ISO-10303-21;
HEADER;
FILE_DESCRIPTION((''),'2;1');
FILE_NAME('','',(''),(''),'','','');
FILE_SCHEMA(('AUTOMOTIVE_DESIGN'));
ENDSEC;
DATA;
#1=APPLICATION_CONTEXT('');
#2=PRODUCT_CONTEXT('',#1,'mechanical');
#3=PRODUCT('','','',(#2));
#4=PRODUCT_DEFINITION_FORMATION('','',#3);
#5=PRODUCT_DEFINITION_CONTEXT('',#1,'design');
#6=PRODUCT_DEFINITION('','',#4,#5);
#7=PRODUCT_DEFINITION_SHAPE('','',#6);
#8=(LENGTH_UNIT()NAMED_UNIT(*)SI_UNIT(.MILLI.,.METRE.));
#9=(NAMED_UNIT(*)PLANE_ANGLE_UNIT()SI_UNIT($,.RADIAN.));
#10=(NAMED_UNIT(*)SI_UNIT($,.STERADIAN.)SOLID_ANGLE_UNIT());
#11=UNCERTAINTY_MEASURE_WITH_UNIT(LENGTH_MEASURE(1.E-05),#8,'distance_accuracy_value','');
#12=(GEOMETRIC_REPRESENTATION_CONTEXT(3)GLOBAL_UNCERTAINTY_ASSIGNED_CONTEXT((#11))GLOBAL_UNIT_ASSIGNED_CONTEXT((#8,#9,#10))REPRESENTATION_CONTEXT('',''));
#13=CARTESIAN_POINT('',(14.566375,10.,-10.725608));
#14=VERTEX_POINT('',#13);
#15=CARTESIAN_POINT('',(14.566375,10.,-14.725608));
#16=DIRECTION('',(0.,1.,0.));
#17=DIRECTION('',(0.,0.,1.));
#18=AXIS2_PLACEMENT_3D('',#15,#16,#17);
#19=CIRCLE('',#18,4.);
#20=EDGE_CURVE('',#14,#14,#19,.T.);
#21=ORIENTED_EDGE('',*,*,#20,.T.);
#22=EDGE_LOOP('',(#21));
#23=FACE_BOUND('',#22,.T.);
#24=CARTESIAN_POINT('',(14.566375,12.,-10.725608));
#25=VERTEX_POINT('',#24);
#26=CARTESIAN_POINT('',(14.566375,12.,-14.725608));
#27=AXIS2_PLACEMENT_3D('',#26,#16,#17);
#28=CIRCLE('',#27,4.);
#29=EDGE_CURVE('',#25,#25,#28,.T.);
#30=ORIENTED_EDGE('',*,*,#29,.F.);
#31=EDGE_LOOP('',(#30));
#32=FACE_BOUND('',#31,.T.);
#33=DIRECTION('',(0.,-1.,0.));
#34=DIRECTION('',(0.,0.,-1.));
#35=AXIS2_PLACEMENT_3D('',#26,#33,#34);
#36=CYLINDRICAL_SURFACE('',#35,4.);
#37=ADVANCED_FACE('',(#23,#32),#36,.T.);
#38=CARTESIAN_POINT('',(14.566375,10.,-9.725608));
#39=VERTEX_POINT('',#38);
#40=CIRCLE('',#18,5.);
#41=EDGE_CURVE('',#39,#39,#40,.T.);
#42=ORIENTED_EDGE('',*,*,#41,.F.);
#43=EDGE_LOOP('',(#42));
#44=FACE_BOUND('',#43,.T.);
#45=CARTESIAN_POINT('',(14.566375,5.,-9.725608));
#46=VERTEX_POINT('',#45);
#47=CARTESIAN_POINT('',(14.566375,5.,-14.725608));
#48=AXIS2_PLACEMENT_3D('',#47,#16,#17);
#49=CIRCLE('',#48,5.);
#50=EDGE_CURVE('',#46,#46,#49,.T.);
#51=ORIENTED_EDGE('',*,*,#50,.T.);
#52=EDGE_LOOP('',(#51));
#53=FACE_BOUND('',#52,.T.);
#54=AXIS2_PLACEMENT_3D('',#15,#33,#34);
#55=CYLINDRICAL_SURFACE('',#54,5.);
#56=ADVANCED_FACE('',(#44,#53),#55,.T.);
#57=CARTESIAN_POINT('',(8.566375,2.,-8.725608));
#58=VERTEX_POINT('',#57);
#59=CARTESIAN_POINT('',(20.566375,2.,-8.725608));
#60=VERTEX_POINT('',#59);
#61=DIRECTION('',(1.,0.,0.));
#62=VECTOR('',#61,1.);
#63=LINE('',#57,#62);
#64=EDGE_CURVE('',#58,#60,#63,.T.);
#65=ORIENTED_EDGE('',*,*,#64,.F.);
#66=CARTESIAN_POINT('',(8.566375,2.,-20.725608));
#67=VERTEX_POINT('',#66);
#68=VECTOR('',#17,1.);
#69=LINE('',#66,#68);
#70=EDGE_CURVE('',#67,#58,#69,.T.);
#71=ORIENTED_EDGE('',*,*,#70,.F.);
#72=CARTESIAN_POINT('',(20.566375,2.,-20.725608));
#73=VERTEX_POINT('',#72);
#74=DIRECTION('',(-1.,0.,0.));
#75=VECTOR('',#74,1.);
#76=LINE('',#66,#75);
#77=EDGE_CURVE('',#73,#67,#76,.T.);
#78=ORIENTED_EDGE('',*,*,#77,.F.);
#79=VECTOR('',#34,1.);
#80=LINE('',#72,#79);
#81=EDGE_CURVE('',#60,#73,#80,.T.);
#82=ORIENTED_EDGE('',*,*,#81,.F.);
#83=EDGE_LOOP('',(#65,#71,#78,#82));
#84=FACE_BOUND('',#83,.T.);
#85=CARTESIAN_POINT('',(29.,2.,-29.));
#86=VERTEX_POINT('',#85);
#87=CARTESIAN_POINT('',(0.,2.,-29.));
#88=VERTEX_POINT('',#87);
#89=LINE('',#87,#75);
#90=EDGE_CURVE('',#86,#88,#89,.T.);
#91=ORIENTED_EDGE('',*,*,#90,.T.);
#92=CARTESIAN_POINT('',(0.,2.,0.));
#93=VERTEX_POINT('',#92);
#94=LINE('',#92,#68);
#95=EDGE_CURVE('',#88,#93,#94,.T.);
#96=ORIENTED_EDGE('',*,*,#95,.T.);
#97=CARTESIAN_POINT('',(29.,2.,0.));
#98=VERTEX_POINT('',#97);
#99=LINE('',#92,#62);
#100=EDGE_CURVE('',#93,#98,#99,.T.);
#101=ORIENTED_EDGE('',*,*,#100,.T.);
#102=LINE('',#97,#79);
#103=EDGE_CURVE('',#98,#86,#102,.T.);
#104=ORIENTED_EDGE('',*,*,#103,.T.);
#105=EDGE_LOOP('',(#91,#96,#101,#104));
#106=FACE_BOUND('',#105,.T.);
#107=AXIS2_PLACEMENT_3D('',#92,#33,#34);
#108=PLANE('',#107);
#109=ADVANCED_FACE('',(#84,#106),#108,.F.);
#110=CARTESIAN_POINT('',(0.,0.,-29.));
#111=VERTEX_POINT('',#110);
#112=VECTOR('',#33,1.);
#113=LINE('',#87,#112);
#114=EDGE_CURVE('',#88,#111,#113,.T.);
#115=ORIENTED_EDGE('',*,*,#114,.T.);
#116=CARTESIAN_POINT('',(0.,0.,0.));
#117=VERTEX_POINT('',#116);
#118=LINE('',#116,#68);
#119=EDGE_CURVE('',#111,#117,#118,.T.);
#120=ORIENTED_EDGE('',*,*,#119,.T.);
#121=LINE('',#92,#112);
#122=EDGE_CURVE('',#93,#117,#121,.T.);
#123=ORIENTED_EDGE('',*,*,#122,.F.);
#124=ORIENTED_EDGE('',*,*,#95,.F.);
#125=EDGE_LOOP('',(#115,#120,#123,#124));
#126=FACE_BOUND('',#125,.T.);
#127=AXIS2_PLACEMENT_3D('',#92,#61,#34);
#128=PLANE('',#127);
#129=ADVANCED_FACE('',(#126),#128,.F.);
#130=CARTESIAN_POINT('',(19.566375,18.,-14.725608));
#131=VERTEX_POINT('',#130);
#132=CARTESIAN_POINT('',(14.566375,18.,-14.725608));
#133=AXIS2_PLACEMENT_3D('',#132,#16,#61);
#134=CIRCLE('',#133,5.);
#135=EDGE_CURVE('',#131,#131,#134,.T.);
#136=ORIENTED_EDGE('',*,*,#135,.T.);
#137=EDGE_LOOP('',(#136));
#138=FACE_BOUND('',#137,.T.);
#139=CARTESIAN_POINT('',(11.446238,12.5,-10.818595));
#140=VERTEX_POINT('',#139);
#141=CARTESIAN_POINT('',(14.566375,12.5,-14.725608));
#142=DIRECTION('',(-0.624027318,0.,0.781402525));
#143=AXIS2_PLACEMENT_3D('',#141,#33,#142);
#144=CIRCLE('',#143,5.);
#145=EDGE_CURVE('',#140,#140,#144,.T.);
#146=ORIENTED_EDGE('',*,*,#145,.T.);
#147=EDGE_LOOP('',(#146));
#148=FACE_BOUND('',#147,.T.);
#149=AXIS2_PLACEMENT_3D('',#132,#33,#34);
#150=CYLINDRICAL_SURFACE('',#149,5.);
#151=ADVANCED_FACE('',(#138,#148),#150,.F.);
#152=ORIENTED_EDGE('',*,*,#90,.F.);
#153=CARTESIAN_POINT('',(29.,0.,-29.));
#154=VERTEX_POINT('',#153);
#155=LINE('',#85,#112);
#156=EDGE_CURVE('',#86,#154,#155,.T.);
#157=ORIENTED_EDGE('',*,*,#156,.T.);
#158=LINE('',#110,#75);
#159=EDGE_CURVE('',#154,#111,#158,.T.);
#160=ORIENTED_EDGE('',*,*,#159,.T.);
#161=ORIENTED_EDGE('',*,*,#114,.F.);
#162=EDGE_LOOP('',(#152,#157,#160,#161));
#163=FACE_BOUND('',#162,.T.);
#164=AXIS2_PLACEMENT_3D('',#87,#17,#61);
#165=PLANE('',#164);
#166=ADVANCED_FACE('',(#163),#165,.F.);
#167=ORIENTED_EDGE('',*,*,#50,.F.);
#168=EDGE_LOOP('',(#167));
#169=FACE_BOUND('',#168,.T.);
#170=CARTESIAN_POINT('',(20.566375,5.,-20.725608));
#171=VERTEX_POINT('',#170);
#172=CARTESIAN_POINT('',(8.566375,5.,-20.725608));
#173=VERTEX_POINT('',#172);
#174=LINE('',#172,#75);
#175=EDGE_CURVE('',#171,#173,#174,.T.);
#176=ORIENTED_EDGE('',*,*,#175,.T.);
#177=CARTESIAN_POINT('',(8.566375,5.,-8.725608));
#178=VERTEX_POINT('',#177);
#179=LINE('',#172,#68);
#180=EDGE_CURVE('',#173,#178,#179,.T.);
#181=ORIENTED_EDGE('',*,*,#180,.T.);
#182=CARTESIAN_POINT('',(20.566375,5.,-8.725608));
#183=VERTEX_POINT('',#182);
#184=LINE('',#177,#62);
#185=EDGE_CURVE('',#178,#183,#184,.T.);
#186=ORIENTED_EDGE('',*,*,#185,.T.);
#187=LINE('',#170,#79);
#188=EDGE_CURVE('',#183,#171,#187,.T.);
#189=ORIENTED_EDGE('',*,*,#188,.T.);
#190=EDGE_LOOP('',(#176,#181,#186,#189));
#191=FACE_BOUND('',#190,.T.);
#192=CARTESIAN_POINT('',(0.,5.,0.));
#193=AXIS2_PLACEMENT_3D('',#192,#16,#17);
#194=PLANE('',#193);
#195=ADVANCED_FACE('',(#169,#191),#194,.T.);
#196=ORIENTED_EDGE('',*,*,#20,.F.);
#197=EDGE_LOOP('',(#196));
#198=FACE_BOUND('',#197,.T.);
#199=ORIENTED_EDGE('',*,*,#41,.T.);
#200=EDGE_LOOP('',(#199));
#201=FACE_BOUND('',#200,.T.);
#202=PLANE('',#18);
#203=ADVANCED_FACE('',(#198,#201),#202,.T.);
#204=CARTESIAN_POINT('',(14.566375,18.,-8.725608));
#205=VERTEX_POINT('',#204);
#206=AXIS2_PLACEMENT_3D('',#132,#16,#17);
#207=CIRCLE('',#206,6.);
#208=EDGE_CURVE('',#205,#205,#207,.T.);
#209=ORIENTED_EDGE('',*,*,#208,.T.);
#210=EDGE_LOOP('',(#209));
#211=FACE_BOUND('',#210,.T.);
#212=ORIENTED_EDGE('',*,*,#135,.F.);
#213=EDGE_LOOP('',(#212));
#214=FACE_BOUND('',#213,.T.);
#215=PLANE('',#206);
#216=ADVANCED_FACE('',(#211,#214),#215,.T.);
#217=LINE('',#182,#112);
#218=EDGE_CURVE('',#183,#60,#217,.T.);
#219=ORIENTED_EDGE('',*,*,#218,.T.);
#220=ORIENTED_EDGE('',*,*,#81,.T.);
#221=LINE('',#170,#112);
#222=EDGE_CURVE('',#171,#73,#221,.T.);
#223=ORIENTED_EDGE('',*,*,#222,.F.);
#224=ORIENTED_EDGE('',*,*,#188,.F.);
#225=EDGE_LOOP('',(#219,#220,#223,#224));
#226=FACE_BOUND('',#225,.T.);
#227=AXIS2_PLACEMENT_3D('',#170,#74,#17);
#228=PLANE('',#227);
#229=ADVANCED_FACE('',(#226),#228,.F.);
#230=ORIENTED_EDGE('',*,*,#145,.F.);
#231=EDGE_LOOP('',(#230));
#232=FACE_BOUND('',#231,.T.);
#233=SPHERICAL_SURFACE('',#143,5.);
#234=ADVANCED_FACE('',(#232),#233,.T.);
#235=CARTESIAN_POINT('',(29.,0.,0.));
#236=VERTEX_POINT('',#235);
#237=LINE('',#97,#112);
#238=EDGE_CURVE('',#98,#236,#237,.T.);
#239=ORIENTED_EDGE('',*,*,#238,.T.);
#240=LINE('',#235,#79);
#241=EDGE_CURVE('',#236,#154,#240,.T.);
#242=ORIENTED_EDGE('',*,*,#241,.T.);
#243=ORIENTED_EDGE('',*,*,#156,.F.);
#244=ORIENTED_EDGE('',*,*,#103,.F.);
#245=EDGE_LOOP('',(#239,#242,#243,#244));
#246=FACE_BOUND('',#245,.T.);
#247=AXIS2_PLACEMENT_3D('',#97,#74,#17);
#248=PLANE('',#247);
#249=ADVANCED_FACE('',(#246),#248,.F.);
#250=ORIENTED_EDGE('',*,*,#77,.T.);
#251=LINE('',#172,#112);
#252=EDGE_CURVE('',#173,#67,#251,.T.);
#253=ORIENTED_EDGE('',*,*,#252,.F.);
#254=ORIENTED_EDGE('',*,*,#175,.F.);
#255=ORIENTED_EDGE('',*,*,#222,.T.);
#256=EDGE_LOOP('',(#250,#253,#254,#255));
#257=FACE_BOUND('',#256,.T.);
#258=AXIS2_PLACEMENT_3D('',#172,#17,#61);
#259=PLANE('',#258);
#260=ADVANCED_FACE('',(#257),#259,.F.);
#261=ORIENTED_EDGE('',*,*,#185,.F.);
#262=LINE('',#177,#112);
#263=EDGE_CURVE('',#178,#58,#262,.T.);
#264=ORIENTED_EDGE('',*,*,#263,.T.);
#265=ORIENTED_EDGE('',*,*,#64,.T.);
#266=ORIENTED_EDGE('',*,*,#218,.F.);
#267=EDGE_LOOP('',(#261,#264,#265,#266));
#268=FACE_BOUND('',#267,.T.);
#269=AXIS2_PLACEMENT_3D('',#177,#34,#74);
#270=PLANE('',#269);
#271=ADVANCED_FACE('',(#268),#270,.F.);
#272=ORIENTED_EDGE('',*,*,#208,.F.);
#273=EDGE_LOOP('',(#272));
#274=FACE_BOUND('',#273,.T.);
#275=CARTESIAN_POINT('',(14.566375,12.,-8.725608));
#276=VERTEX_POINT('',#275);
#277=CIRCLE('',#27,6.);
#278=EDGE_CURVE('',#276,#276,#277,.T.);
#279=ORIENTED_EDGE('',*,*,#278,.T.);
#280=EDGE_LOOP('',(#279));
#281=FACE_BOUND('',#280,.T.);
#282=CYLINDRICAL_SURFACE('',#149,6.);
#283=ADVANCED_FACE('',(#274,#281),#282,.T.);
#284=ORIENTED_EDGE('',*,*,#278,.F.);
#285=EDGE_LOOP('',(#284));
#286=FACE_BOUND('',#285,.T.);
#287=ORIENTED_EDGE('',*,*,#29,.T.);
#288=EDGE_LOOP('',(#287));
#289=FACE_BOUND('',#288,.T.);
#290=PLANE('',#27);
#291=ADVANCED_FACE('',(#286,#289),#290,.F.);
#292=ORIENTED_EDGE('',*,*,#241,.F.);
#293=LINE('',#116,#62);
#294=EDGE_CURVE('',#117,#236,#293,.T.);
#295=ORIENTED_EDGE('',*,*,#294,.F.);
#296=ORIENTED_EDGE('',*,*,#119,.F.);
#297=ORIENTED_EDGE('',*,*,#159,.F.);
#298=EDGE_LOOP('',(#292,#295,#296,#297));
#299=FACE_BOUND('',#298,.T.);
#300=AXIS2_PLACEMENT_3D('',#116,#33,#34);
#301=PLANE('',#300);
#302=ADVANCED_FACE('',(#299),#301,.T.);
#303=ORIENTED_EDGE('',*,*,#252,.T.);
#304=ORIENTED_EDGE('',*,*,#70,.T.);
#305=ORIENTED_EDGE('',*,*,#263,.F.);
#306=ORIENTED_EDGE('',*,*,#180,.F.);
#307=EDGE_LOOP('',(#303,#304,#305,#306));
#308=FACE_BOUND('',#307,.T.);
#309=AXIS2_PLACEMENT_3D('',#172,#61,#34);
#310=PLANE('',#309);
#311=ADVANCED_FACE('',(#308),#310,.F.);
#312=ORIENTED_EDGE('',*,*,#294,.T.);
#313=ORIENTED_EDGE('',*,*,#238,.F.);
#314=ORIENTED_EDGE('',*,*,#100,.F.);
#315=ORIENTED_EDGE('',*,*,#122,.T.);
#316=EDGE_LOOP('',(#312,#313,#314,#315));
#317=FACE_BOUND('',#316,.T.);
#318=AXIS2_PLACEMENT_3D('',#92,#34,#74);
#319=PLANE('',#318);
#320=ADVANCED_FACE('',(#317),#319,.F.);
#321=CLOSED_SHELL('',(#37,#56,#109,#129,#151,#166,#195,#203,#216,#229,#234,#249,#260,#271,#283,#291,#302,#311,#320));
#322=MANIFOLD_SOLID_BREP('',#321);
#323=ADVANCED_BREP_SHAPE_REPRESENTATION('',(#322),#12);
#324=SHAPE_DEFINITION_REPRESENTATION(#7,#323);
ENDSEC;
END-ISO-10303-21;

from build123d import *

# Parameters (mm, degrees)
SKETCH1_W           = 29
SKETCH1_H           = 29
BOSS_EXTRUDE1_DEPTH = 2
SKETCH2_W           = 12
SKETCH2_H           = 12
BOSS_EXTRUDE2_DEPTH = 3
SKETCH5_R           = 5
BOSS_EXTRUDE3_DEPTH = 5
SKETCH6_R           = 4
BOSS_EXTRUDE4_DEPTH = 2
SKETCH8_R           = 6
SKETCH8_R_2         = 5
EXTRUDE_THIN2_DEPTH = 6
SKETCH9_R           = 5
BOSS_EXTRUDE5_DEPTH = 0.5
REVOLVE1_ANGLE      = 180


with BuildPart() as part:
    # Sketch1 → Boss-Extrude1 (new body)
    with BuildSketch(Plane(origin=(0, 0, 0), x_dir=(1, 0, 0), z_dir=(0, 1, 0))):
        with Locations((14.5, 14.5)):
            Rectangle(SKETCH1_W, SKETCH1_H)
    extrude(amount=BOSS_EXTRUDE1_DEPTH)

    # Sketch2 → Boss-Extrude2 (add)
    with BuildSketch(Plane(origin=(0, 2, 0), x_dir=(1, 0, 0), z_dir=(0, 1, 0))):
        with Locations((14.566374873, 14.72560783)):
            Rectangle(SKETCH2_W, SKETCH2_H)
    extrude(amount=BOSS_EXTRUDE2_DEPTH)

    # Sketch5 → Boss-Extrude3 (add)
    with BuildSketch(Plane(origin=(0, 5, 0), x_dir=(1, 0, 0), z_dir=(0, 1, 0))):
        with Locations((14.566374873, 14.72560783)):
            Circle(SKETCH5_R)
    extrude(amount=BOSS_EXTRUDE3_DEPTH)

    # Sketch6 → Boss-Extrude4 (add)
    with BuildSketch(Plane(origin=(0, 10, 0), x_dir=(1, 0, 0), z_dir=(0, 1, 0))):
        with Locations((14.566374873, 14.72560783)):
            Circle(SKETCH6_R)
    extrude(amount=BOSS_EXTRUDE4_DEPTH)



with BuildPart() as body_2:
    # Sketch8 → Extrude-Thin2 (new body)
    with BuildSketch(Plane(origin=(0, 12, 0), x_dir=(1, 0, 0), z_dir=(0, 1, 0))):
        with Locations((14.566374873, 14.72560783)):
            Circle(SKETCH8_R)
        with Locations((14.566374873, 14.72560783)):
            Circle(SKETCH8_R_2, mode=Mode.SUBTRACT)
    extrude(amount=EXTRUDE_THIN2_DEPTH)


with BuildPart() as part_1:
    add(part.part)

    add(body_2.part)  # Boss-Extrude5 merges body 2
    # Sketch9 → Boss-Extrude5 (add)
    with BuildSketch(Plane(origin=(0, 12, 0), x_dir=(1, 0, 0), z_dir=(0, 1, 0))):
        with Locations((14.566374873, 14.72560783)):
            Circle(SKETCH9_R)
    extrude(amount=BOSS_EXTRUDE5_DEPTH)

    # Sketch13 → Revolve1 (revolve)
    with BuildSketch(Plane(origin=(0, 12.5, 0), x_dir=(1, 0, 0), z_dir=(0, 1, 0))):
        with BuildLine():
            Line((9.847526331, 16.378625808), (19.285223415, 13.072589852))
            ThreePointArc((19.285223415, 13.072589852), (16.219392851, 19.444456372), (9.847526331, 16.378625808))
        make_face()
    revolve(axis=Axis((9.847526331, 12.5, -16.378625808), (0.9437697084535585, 0, 0.33060359557253066)), revolution_arc=REVOLVE1_ANGLE)


solid = part_1.part
